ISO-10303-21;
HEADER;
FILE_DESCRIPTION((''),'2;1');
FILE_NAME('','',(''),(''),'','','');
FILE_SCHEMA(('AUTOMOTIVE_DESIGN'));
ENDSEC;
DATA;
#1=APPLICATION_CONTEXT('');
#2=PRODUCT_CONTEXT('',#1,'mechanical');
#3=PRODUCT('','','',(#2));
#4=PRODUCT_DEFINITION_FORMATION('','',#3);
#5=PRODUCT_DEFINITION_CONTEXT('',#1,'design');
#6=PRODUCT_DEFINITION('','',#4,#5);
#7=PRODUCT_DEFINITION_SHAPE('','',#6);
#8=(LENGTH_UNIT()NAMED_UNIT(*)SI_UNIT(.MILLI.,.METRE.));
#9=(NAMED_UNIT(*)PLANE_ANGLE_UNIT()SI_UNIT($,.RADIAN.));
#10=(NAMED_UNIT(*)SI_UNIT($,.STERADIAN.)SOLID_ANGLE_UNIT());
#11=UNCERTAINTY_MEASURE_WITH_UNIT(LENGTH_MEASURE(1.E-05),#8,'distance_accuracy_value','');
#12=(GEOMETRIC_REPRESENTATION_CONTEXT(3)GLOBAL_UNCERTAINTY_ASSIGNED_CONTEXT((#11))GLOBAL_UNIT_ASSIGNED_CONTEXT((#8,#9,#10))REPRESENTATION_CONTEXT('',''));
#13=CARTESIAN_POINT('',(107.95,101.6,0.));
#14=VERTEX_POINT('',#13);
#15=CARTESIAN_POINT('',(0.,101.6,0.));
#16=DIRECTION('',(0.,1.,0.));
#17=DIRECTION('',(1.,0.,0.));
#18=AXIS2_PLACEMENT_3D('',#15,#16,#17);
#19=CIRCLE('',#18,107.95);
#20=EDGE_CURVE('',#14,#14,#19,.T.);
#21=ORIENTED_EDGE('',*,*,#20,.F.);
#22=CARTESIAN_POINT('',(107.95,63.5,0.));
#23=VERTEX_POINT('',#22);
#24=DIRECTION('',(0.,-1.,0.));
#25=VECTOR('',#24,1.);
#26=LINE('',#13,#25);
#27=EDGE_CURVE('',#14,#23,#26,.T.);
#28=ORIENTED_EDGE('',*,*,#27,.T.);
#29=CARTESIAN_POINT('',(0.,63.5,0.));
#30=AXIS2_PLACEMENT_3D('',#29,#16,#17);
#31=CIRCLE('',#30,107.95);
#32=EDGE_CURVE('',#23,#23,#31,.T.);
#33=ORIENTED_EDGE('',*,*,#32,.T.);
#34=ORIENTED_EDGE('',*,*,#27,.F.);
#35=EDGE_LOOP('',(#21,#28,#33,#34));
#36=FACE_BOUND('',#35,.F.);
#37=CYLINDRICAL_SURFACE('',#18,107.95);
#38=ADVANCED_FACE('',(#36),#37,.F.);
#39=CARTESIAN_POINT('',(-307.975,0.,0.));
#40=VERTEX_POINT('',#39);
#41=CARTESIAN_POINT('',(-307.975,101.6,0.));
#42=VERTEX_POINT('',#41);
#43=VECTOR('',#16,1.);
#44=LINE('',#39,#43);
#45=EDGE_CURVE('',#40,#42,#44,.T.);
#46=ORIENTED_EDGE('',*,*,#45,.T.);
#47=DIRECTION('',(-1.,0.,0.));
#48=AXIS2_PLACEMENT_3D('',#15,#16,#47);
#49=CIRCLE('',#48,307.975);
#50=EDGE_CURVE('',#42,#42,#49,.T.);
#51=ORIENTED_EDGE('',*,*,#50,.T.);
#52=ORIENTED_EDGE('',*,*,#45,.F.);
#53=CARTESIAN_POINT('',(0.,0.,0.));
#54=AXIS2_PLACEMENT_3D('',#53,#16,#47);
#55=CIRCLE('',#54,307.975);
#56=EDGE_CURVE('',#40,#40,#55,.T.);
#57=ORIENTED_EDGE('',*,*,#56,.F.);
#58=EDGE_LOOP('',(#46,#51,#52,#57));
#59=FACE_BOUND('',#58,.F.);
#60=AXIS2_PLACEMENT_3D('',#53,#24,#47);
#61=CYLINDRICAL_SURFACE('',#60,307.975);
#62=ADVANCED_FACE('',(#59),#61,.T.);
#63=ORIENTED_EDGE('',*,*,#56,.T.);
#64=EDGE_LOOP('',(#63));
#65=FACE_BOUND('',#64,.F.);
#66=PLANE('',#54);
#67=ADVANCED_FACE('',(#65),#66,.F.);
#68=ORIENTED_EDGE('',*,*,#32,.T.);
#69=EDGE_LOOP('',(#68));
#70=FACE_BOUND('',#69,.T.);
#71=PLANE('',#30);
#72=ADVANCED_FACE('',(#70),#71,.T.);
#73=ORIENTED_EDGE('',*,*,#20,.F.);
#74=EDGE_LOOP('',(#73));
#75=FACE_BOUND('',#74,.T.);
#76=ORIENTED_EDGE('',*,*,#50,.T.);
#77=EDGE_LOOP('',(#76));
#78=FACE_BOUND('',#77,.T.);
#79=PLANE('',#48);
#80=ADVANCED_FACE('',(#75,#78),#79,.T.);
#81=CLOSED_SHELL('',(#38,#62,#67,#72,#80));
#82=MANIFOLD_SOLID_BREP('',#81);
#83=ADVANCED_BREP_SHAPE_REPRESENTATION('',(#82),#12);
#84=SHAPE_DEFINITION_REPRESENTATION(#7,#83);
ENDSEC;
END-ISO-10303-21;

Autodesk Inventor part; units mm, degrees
ref_plane "YZ Plane" through (0, 0, 0) normal (1, 0, 0) x (0, 1, 0)
ref_plane "XZ Plane" through (0, 0, 0) normal (0, 1, 0) x (-1, 0, 0)
ref_plane "XY Plane" through (0, 0, 0) normal (0, 0, 1) x (1, 0, 0)
sketch "Sketch1" plane through (0, 0, 0) normal (0, 1, 0) x (-1, 0, 0)
  circle A0 centre (0, 0) radius 307.975
  dimension "d0" = 615.95
extrude "Extrusion1" add sketch "Sketch1" along normal blind 101.6
sketch "Sketch2" plane through (0, 101.6, 0) normal (0, 1, 0) x (1, 0, 0)
  circle A0 centre (0, 0) radius 107.95
  dimension "d3" = 215.9
extrude "Extrusion2" cut sketch "Sketch2" against normal blind 38.1
properties part number "Bottom End Cap"
